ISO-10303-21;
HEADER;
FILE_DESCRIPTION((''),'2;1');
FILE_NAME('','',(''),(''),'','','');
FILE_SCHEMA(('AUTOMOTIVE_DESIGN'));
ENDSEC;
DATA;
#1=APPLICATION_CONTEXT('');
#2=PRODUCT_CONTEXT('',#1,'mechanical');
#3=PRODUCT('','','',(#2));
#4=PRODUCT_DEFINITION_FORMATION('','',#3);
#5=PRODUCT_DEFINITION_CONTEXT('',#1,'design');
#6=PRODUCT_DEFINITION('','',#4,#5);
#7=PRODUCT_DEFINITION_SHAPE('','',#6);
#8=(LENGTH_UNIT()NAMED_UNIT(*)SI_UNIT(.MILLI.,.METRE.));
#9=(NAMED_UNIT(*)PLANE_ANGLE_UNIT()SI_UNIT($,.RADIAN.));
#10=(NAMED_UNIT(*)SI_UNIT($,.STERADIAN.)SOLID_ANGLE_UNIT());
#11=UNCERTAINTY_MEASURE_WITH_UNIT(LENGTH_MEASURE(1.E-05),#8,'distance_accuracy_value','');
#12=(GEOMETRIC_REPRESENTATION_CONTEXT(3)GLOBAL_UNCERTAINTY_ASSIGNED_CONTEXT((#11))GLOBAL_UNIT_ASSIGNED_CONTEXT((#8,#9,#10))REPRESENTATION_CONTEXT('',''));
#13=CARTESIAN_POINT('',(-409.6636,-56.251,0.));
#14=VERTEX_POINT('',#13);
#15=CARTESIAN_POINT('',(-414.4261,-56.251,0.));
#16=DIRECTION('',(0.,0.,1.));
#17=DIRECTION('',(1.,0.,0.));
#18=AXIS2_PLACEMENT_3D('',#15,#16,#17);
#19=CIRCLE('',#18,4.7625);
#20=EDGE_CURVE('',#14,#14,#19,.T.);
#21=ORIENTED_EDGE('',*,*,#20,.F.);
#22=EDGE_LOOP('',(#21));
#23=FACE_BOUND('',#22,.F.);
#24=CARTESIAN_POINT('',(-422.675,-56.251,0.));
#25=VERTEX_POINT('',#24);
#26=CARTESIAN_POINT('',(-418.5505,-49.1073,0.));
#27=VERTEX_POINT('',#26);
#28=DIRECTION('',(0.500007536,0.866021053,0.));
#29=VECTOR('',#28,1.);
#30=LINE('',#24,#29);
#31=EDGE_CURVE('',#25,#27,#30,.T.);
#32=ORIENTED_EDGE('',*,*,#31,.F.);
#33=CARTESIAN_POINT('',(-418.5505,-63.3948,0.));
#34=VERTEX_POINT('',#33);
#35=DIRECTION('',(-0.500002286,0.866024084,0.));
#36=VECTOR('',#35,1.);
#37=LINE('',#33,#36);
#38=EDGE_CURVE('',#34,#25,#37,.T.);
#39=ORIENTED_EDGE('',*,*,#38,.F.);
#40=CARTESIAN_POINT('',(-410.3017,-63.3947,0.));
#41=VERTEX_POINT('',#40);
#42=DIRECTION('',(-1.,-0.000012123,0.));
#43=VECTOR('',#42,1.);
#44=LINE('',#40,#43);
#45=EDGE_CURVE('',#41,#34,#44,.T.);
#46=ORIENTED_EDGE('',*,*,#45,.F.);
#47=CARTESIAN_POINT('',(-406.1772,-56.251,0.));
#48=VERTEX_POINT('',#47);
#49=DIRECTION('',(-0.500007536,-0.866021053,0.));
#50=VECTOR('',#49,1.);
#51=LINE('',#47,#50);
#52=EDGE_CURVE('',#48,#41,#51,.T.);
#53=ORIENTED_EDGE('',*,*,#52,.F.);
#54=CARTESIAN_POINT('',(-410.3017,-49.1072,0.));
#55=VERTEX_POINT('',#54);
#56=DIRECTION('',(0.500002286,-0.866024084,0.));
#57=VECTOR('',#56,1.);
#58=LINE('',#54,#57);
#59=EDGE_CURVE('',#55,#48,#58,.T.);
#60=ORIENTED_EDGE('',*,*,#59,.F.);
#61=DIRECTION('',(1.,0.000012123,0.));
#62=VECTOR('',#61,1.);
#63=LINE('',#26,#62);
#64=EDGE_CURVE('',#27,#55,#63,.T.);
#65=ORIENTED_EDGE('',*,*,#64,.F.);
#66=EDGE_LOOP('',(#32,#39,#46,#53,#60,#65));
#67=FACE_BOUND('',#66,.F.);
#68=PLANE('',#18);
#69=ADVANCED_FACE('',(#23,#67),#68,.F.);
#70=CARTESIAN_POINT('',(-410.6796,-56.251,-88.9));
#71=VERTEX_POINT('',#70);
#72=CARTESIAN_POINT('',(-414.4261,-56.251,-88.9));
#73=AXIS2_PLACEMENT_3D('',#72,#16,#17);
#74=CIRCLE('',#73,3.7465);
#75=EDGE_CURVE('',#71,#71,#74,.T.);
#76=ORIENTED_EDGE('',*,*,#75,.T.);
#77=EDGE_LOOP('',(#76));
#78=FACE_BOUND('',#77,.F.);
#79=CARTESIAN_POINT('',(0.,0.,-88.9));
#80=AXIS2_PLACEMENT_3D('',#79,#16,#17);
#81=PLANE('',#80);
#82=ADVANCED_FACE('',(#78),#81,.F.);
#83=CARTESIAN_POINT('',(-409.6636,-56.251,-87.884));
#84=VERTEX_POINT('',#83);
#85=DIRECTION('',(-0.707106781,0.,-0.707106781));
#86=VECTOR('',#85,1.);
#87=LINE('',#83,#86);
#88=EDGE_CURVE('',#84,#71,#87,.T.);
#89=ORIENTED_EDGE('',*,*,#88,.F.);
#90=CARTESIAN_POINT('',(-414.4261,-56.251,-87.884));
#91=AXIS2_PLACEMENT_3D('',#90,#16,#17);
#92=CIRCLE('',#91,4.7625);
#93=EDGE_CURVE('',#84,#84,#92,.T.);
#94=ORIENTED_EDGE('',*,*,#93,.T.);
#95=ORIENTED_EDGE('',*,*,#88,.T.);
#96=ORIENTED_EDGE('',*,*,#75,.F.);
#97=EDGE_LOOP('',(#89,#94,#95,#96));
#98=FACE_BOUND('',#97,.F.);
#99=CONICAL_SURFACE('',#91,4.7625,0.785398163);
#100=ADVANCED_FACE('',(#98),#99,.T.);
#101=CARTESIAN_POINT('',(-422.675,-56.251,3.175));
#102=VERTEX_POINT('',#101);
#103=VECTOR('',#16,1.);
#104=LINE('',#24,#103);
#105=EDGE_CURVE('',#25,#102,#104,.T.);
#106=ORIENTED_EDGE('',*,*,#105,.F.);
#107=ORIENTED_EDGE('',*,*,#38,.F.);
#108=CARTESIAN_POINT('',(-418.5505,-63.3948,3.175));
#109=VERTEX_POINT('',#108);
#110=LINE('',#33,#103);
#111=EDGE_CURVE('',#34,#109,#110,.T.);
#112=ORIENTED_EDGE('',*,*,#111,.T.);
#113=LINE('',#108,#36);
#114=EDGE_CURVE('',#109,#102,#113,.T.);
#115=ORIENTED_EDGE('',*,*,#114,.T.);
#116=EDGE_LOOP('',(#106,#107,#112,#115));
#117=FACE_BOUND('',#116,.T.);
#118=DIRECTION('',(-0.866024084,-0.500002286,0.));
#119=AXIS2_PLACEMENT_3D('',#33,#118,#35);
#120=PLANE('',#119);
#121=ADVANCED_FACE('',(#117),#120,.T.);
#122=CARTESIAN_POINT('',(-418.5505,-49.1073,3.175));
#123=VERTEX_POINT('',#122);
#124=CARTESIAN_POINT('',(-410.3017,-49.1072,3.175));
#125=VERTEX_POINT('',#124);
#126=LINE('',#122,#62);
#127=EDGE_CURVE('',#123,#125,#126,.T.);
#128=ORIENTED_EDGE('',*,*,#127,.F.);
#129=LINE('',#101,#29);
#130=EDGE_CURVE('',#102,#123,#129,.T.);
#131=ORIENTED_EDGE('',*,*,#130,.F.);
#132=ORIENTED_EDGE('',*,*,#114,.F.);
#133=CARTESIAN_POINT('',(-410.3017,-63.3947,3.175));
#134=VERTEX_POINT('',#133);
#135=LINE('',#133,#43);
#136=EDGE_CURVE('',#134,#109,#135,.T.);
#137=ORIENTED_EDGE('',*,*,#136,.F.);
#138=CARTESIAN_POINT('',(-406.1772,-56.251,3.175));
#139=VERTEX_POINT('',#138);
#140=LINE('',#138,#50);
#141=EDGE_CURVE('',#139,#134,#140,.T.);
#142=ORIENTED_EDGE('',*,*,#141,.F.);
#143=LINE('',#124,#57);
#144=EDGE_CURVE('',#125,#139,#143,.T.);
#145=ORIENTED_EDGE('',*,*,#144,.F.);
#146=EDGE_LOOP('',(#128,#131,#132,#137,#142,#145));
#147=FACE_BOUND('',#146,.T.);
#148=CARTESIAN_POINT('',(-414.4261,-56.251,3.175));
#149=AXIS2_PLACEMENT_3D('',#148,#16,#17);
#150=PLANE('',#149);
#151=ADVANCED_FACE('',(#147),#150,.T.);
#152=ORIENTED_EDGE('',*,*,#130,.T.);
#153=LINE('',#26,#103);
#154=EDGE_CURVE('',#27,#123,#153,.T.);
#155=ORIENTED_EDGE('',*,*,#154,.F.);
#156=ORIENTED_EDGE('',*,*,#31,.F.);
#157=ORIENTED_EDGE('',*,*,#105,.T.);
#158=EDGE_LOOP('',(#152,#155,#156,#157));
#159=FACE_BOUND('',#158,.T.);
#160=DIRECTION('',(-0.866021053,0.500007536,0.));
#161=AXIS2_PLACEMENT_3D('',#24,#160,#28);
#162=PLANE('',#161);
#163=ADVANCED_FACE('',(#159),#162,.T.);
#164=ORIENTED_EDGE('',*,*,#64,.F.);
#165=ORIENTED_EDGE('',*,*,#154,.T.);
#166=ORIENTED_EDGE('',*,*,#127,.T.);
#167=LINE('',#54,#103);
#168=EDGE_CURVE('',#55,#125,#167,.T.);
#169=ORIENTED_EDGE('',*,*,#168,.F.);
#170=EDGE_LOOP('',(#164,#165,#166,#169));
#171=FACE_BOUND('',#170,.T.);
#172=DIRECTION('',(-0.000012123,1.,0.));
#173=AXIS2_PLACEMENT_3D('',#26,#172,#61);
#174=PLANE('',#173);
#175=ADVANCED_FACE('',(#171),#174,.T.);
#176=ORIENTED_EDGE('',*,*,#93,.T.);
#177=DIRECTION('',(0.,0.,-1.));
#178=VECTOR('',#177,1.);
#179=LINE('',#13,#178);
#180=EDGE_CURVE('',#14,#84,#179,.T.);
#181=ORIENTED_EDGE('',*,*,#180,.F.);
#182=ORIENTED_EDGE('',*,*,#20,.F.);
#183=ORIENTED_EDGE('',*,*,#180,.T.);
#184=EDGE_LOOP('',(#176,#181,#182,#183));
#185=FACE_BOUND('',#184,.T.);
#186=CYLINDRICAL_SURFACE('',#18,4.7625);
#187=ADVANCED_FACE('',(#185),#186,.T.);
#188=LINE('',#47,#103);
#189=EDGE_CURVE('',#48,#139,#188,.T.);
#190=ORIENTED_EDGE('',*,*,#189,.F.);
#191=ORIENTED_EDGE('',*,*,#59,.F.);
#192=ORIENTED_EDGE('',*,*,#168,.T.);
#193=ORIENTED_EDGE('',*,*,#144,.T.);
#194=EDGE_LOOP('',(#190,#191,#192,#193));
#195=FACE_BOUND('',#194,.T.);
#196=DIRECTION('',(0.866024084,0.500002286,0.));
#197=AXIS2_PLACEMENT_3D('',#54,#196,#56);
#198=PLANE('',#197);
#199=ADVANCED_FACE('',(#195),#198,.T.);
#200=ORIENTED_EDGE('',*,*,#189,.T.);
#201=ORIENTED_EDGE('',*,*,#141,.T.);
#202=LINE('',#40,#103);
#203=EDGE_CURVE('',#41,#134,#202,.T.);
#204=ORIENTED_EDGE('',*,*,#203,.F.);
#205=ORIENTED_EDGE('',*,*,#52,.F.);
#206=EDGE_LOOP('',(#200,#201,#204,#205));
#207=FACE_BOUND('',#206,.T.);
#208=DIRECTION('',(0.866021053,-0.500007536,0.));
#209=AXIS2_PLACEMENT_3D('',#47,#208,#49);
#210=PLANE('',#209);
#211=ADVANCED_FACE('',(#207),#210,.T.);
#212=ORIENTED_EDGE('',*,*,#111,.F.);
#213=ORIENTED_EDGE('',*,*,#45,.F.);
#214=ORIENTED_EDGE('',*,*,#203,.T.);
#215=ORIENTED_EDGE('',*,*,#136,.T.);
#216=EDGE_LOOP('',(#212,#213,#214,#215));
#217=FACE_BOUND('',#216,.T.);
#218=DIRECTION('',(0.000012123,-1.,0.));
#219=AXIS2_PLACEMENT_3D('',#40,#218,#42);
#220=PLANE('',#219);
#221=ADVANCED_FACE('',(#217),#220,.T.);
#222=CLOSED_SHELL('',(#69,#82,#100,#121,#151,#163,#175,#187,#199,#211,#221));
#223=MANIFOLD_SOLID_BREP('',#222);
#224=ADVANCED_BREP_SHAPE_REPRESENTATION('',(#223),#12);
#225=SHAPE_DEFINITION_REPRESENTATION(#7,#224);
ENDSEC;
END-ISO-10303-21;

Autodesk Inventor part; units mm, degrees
ref_plane "YZ Plane" through (0, 0, 0) normal (1, 0, 0) x (0, 1, 0)
ref_plane "XZ Plane" through (0, 0, 0) normal (0, 1, 0) x (-1, 0, 0)
ref_plane "XY Plane" through (0, 0, 0) normal (0, 0, 1) x (1, 0, 0)
sketch "Sketch1" plane through (0, 0, 0) normal (0, 0, 1) x (1, 0, 0)
  circle A0 centre (-414.4261, -56.251) radius 4.7625
  point P0 (0, 0)
  dimension "d0" = 9.525
extrude "Extrusion1" add sketch "Sketch1" against normal blind 88.9
sketch "Sketch2" plane through (-414.4261, -56.251, 0) normal (0, 0, 1) x (1, 0, 0)
  circle A0 centre (0, 0) radius 4.7625 projected
  line L0 (-8.2489, 0) -> (-4.1244, 7.1437)
  line L1 (-4.1244, 7.1437) -> (4.1244, 7.1438)
  line L2 (4.1244, 7.1438) -> (8.2489, 0)
  line L3 (8.2489, 0) -> (4.1244, -7.1437)
  line L4 (4.1244, -7.1437) -> (-4.1244, -7.1438)
  line L5 (-4.1244, -7.1438) -> (-8.2489, 0)
  point P0 (414.4261, 56.251)
  dimension "d3" = 14.2875
extrude "Extrusion2" add sketch "Sketch2" along normal blind 3.175 contours A0 | L0 L1 L2 L3 L4 L5
thread "Thread1" size "3/8-16 UNC" class "2A" standard "ANSI Unified Screw Threads" length 25.4
chamfer "Chamfer1" distance 1.016 angle 45 1 edges at (-419.1886, -56.251, -88.9)
properties part number "375 bolt x4" material "Steel"
